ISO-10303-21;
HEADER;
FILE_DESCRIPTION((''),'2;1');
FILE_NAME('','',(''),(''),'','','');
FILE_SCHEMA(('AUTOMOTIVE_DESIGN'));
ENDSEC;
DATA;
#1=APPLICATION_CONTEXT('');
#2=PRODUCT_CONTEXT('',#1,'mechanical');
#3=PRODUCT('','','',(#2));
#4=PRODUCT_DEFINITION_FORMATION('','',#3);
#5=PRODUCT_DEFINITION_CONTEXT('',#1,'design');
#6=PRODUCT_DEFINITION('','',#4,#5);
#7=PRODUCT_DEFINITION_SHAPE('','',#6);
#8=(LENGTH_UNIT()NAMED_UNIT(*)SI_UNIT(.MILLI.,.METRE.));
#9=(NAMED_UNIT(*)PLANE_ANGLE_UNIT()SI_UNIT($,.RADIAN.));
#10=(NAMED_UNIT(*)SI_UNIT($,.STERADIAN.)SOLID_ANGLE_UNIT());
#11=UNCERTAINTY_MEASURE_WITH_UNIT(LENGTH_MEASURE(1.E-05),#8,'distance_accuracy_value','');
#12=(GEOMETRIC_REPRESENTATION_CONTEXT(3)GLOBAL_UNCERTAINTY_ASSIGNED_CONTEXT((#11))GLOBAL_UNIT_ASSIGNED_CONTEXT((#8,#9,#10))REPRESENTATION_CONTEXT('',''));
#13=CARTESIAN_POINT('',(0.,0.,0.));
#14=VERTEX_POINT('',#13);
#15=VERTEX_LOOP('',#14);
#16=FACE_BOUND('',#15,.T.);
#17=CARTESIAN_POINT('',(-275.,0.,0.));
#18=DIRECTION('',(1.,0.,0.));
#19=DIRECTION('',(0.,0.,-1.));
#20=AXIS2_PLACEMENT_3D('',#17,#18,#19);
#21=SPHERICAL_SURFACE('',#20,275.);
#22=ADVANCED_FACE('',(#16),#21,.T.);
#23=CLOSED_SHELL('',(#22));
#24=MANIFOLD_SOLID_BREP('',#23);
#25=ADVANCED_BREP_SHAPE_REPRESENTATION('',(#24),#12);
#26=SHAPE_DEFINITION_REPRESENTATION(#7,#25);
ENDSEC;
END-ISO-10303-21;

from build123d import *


with BuildPart() as part:
    # Sketch1 → Revolve1 (revolve)
    with BuildSketch(Plane(origin=(0, 0, 0), x_dir=(1, 0, 0), z_dir=(0, 1, 0))):
        with BuildLine():
            Line((0, 0), (-550, 0))
            ThreePointArc((-550, 0), (-275, 275), (0, 0))
        make_face()
    revolve(axis=Axis((0, 0, 0), (-1, 0, 0)))


solid = part.part
